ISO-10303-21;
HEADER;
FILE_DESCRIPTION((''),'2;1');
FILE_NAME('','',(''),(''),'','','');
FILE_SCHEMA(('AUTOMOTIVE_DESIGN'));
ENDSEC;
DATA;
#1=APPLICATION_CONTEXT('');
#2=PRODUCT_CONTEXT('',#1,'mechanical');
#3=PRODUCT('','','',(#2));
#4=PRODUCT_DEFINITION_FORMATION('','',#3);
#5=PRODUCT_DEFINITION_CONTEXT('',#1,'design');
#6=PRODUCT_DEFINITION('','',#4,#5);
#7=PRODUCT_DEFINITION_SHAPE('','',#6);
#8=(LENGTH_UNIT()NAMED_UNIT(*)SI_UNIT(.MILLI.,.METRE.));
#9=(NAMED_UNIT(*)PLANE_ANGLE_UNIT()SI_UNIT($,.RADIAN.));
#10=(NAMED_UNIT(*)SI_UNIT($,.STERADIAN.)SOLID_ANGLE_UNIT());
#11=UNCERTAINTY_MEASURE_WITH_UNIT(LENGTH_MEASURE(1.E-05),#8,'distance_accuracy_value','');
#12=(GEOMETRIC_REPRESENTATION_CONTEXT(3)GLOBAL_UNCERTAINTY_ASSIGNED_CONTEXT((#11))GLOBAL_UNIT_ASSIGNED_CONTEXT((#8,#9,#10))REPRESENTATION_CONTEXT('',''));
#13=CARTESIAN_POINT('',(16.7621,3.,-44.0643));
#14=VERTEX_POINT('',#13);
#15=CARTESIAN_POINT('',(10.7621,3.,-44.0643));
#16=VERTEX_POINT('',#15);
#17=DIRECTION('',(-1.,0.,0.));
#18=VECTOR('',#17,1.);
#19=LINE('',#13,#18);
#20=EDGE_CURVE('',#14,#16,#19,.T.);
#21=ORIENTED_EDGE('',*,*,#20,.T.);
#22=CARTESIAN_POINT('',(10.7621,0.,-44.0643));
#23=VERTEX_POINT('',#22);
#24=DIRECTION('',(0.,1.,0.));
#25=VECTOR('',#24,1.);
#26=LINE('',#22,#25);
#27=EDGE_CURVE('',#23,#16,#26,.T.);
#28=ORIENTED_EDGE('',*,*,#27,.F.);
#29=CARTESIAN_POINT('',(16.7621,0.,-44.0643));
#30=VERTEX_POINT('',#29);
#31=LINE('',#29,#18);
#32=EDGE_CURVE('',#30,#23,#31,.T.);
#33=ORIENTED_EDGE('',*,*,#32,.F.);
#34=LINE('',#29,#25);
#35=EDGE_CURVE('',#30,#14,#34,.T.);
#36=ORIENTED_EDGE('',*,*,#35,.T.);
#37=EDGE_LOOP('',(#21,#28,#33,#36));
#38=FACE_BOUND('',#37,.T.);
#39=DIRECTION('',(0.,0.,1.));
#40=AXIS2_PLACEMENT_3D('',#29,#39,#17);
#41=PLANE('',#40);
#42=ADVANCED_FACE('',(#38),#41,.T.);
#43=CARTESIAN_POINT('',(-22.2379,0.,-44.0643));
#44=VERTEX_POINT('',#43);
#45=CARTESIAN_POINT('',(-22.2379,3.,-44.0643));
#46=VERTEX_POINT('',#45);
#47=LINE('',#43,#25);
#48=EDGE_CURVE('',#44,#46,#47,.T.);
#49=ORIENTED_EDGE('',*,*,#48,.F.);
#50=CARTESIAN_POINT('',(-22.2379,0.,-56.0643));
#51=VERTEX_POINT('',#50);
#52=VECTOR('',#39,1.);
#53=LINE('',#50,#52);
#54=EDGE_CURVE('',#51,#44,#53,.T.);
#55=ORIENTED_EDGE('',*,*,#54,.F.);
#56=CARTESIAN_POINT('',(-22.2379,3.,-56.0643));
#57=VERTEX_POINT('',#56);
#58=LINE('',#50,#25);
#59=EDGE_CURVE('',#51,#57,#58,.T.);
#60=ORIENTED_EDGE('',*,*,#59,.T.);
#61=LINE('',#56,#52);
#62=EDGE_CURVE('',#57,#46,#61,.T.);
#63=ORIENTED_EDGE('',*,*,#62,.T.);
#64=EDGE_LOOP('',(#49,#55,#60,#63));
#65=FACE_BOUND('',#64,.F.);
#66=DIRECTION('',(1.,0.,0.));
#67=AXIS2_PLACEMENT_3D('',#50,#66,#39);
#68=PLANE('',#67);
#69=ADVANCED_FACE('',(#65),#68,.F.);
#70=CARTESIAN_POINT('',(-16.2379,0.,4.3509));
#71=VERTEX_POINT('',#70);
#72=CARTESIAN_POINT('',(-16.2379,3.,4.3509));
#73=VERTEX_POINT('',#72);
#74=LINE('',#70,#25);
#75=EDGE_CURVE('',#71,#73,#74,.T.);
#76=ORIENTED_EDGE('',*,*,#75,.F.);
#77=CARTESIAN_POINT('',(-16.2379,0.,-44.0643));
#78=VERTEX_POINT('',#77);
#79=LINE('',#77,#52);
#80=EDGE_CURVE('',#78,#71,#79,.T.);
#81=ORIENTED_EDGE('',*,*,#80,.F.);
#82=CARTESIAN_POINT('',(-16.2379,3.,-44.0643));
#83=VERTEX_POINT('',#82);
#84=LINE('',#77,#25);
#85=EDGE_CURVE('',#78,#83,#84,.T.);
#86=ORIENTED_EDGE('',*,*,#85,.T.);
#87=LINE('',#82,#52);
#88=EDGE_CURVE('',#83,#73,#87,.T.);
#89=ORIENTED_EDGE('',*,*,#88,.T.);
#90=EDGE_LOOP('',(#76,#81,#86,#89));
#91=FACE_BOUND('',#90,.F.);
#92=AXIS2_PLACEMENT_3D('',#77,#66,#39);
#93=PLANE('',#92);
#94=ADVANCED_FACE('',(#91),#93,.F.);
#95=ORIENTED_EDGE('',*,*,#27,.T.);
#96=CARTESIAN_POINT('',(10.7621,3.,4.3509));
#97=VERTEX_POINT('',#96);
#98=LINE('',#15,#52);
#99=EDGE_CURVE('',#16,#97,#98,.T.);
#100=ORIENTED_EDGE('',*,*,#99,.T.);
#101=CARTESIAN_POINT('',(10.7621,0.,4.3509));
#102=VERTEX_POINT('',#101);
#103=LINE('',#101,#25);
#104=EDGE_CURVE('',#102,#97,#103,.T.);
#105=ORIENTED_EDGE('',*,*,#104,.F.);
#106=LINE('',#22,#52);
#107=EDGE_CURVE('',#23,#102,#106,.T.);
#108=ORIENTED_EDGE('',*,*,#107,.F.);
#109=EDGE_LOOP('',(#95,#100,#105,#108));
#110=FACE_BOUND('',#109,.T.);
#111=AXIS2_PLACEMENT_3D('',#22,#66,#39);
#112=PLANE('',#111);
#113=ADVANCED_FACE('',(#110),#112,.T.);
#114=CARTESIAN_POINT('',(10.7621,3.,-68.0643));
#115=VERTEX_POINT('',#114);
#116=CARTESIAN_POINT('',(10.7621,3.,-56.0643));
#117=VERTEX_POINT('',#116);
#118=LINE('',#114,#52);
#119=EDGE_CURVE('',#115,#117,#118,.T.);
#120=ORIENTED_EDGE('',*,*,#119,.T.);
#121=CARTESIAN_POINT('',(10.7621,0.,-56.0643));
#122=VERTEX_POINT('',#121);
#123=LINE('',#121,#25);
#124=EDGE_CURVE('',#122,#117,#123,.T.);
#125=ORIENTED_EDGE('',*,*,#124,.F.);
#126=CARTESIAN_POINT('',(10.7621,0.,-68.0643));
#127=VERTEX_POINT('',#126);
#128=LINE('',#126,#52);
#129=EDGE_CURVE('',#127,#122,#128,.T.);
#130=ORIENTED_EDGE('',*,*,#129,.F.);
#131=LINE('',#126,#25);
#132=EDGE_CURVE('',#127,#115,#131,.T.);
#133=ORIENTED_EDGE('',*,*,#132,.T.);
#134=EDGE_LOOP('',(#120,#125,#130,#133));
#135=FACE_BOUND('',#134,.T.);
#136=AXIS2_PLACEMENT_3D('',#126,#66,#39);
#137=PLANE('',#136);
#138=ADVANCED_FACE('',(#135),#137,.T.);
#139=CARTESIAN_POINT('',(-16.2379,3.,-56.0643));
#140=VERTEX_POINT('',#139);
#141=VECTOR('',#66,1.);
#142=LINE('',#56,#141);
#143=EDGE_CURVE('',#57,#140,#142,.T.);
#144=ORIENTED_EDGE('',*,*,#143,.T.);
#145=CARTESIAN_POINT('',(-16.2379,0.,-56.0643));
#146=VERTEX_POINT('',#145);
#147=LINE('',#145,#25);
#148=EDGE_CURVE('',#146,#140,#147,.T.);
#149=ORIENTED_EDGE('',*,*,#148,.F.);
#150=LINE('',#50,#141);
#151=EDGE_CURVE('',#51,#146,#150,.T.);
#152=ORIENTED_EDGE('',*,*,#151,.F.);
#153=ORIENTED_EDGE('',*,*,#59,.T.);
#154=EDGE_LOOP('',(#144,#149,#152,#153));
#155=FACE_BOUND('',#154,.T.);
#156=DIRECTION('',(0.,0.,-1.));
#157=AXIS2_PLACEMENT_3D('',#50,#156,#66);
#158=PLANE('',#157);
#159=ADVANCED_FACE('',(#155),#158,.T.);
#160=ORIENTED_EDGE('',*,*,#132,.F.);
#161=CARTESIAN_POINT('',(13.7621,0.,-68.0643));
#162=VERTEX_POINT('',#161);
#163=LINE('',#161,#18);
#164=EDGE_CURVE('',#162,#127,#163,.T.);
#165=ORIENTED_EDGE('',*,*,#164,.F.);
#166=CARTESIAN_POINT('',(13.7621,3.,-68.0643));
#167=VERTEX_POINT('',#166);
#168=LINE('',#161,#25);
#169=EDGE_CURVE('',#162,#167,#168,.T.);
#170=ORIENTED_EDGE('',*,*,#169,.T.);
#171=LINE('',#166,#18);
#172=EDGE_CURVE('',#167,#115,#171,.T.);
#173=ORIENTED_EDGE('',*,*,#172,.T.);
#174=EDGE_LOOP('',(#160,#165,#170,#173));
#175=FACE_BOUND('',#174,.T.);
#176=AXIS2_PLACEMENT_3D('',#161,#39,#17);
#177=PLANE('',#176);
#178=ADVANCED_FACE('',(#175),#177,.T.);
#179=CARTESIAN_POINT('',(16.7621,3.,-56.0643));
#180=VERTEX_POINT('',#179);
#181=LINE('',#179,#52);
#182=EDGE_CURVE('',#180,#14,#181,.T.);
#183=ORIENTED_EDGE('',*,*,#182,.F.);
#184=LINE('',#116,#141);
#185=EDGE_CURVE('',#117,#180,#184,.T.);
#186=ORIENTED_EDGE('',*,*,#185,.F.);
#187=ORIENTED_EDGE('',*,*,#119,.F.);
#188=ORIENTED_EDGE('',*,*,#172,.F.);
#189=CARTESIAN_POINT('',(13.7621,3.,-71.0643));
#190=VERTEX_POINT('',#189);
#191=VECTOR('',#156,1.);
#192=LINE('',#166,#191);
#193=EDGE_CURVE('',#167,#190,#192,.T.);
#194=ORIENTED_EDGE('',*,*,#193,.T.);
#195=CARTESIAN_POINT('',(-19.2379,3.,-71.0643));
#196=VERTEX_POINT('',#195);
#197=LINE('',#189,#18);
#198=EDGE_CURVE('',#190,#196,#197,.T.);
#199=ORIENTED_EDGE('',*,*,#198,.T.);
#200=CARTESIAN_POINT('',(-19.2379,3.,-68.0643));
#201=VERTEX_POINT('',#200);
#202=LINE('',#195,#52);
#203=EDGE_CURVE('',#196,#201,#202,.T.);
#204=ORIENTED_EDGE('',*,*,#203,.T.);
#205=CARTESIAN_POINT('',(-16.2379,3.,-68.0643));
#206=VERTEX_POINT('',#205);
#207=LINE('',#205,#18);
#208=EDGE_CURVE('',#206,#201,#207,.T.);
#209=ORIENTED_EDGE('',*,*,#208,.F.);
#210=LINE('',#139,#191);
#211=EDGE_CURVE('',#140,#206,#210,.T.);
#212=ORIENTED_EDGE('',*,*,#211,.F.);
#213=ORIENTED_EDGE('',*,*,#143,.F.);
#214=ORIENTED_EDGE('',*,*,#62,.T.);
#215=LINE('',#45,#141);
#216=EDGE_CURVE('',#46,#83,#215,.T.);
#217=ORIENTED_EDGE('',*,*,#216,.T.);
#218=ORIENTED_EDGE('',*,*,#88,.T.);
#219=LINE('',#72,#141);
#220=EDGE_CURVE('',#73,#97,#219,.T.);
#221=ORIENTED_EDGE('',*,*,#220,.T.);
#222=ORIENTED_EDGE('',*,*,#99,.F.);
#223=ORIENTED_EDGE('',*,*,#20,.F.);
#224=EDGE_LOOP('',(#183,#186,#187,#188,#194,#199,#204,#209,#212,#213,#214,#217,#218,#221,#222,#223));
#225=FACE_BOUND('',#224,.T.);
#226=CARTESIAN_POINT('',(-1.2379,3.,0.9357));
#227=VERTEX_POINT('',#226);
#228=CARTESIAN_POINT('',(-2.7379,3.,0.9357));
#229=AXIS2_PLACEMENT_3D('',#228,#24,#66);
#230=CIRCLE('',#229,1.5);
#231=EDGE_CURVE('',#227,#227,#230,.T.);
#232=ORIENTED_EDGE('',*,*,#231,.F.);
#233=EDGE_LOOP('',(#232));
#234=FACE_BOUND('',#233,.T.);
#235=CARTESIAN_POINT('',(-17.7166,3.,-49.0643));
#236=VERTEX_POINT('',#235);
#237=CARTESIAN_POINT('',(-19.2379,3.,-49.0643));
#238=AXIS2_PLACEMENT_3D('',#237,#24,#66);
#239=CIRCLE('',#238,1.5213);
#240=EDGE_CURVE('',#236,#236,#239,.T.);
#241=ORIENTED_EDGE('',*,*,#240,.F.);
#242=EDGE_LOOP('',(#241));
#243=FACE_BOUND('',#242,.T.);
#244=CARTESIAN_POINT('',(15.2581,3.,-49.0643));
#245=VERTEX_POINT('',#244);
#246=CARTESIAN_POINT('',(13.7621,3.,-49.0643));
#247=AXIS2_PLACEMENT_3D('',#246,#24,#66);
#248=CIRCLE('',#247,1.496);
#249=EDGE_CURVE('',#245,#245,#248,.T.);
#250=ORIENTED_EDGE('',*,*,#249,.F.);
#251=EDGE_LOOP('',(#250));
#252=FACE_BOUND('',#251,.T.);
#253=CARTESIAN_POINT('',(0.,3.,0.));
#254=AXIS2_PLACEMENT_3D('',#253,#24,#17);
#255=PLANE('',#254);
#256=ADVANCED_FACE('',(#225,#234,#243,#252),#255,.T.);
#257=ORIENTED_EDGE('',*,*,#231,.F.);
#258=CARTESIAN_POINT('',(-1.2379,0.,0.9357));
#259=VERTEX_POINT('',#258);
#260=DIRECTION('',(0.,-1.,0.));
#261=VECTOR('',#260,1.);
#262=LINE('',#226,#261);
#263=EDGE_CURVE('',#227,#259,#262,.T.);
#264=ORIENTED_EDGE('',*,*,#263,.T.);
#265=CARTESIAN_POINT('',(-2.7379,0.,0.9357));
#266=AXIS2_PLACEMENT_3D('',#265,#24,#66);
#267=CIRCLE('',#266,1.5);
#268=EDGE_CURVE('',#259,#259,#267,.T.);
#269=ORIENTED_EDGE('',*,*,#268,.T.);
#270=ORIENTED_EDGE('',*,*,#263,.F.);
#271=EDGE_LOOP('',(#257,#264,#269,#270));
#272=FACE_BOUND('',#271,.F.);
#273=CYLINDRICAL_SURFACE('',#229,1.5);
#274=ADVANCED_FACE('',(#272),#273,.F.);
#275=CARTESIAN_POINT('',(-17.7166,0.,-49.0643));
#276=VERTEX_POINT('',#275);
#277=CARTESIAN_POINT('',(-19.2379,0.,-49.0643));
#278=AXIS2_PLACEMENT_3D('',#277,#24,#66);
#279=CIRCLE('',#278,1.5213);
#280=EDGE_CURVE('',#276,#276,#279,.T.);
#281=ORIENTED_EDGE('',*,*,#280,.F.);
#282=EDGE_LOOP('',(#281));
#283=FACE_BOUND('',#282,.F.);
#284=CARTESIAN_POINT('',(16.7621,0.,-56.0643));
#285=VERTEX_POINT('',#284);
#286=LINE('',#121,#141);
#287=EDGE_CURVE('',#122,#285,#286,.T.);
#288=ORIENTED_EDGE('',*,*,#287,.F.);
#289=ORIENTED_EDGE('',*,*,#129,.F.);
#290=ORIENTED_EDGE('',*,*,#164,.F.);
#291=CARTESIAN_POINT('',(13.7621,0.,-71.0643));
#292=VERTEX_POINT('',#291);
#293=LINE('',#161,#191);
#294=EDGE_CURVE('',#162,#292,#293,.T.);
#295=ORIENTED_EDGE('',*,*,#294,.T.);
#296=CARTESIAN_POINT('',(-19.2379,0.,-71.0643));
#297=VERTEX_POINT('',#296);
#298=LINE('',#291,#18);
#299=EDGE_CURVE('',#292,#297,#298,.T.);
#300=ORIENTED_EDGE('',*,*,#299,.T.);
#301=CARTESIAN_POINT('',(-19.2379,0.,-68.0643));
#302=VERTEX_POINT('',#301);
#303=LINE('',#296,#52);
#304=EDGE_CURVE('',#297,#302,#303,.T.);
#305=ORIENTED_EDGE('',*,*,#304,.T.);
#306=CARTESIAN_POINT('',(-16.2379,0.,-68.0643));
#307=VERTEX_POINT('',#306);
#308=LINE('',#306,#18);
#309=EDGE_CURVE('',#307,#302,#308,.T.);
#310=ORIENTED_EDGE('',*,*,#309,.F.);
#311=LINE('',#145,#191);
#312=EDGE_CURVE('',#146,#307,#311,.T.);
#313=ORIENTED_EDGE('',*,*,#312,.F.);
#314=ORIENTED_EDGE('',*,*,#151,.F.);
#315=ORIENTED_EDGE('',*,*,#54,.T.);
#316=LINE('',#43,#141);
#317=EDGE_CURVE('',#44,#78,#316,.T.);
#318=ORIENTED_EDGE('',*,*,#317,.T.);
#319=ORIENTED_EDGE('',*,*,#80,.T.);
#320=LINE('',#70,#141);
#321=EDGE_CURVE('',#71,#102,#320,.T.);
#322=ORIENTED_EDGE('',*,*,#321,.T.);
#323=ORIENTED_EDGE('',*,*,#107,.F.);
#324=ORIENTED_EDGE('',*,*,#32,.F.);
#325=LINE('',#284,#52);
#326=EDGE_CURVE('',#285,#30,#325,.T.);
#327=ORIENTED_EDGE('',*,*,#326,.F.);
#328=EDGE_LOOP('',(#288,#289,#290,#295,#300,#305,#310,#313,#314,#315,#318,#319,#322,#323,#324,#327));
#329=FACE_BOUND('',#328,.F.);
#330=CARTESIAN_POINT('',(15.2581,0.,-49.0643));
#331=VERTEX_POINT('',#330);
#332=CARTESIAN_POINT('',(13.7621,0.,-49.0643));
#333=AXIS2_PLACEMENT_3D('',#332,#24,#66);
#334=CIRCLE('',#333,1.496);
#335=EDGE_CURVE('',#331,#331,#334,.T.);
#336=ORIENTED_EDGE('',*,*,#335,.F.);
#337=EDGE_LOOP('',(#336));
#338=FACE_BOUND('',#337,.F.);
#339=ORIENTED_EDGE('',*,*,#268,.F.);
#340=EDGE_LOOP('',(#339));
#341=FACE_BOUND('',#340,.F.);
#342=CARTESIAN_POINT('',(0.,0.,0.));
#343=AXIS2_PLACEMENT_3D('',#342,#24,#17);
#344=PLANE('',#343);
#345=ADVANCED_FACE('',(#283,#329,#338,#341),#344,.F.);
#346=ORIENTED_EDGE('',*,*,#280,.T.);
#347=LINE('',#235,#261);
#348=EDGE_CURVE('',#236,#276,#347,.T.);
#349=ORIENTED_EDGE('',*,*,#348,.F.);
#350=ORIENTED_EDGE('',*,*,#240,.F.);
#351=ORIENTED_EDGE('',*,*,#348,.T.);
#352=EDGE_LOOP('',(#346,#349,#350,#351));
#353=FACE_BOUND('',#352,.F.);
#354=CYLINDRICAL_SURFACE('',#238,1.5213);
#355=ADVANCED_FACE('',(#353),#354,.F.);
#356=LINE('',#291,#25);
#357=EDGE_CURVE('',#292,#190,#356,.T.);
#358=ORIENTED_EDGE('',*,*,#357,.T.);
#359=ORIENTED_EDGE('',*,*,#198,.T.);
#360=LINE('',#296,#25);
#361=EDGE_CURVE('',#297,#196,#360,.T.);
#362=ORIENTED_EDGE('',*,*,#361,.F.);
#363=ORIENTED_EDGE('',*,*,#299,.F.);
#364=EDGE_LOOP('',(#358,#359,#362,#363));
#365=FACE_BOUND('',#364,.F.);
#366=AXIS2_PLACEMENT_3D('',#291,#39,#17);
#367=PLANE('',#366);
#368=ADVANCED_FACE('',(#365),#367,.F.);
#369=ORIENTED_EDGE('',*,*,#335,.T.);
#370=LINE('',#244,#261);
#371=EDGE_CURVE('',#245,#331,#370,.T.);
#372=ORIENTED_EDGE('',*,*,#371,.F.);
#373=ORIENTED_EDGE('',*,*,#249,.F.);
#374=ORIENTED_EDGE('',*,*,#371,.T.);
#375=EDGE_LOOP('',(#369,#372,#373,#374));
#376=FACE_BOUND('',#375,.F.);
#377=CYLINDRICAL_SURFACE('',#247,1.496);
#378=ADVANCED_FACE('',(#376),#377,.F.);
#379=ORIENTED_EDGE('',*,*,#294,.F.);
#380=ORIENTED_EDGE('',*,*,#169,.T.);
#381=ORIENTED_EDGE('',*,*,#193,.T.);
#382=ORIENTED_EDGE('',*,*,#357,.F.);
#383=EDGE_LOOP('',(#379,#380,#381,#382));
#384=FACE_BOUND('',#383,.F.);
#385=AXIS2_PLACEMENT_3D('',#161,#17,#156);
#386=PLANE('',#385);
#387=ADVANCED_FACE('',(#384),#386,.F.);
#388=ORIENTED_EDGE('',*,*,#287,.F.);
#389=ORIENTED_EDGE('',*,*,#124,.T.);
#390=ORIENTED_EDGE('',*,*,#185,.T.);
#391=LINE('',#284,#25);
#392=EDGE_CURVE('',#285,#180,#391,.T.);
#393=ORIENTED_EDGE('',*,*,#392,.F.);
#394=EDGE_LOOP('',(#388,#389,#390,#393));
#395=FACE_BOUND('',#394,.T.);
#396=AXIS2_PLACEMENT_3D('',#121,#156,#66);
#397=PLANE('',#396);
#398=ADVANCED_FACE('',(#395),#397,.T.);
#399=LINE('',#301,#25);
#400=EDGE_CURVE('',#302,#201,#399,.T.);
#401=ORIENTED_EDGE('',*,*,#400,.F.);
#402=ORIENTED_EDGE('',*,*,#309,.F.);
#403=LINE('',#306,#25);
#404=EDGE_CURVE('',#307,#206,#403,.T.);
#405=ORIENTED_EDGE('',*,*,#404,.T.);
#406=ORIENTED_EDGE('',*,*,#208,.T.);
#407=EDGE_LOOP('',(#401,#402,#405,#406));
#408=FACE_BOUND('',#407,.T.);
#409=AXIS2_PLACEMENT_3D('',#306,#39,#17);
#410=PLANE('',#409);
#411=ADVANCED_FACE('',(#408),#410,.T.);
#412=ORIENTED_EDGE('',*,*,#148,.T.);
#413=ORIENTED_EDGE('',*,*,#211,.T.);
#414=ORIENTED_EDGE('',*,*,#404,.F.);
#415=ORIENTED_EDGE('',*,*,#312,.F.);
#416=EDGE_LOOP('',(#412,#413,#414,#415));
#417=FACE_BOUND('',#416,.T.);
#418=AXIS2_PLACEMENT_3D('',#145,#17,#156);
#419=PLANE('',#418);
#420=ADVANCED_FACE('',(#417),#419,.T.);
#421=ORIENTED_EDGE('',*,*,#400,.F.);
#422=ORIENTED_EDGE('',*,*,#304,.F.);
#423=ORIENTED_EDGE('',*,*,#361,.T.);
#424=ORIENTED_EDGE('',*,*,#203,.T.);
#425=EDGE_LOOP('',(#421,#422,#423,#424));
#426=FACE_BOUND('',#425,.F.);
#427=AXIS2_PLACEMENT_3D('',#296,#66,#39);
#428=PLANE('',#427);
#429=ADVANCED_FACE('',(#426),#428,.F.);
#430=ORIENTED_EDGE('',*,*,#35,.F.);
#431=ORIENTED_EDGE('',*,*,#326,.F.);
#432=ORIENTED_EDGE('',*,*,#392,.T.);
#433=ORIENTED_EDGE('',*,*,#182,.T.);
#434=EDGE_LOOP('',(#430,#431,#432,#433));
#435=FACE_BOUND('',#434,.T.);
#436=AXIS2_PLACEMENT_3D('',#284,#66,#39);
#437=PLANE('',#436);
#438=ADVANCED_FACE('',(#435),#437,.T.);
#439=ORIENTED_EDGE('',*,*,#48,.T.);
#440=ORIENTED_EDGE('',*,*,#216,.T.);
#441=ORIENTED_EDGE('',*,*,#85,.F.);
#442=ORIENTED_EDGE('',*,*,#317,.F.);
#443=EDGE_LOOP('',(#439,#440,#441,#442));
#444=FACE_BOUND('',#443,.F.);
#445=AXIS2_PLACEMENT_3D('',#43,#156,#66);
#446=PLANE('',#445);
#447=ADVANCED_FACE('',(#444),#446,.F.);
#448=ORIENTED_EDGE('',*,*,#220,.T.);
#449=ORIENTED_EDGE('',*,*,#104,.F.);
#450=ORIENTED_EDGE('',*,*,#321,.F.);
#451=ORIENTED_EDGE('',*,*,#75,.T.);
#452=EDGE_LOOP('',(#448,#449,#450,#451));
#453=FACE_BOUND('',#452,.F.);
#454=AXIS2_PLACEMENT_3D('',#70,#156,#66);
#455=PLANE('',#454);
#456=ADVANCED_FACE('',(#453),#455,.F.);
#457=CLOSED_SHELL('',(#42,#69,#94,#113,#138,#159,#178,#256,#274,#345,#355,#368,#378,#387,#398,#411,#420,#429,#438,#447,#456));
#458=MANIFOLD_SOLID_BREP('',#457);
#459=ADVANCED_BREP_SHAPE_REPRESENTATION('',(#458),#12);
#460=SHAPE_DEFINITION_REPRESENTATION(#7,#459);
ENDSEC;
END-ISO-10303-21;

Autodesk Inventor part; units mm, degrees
ref_plane "YZ Plane" through (0, 0, 0) normal (1, 0, 0) x (0, 1, 0)
ref_plane "XZ Plane" through (0, 0, 0) normal (0, 1, 0) x (-1, 0, 0)
ref_plane "XY Plane" through (0, 0, 0) normal (0, 0, 1) x (1, 0, 0)
sketch "Sketch1" plane through (0, 0, 0) normal (0, 1, 0) x (-1, 0, 0)
  line L0 (16.2379, 4.3509) -> (-10.7621, 4.3509)
  line L1 (-13.7621, -68.0643) -> (-13.7621, -71.0643)
  line L2 (-13.7621, -71.0643) -> (19.2379, -71.0643)
  line L3 (19.2379, -71.0643) -> (19.2379, -68.0643)
  line L4 (22.2379, -56.0643) -> (16.2379, -56.0643)
  line L5 (16.2379, -56.0643) -> (16.2379, -68.0643)
  line L6 (16.2379, -68.0643) -> (19.2379, -68.0643)
  line L7 (-13.7621, -68.0643) -> (-10.7621, -68.0643)
  line L8 (-10.7621, -68.0643) -> (-10.7621, -56.0643)
  line L9 (-10.7621, -56.0643) -> (-16.7621, -56.0643)
  line L10 (22.2379, -56.0643) -> (22.2379, -44.0643)
  line L11 (22.2379, -44.0643) -> (16.2379, -44.0643)
  line L12 (16.2379, -44.0643) -> (16.2379, 4.3509)
  line L13 (-16.7621, -56.0643) -> (-16.7621, -44.0643)
  line L14 (-16.7621, -44.0643) -> (-10.7621, -44.0643)
  line L15 (-10.7621, -44.0643) -> (-10.7621, 4.3509)
  dimension "d8" = 3
  dimension "d9" = 3
  dimension "d11" = 33
  dimension "d12" = 12
  dimension "d13" = 60.4152
  dimension "d14" = 12
  dimension "d24" = 6
  dimension "d25" = 6
extrude "Extrusion1" add sketch "Sketch1" along normal blind 3
sketch "Sketch5" plane through (0, 3, 0) normal (0, 1, 0) x (1, 0, 0)
  circle A0 centre (13.7621, 49.0643) radius 1.496
  circle A1 centre (-19.2379, 49.0643) radius 1.5213
  circle A2 centre (-2.7379, -0.9357) radius 1.5
  line L0 (10.7621, 44.0643) -> (16.7621, 44.0643) projected
  line L1 (16.7621, 44.0643) -> (16.7621, 56.0643) projected
  line L2 (-22.2379, 44.0643) -> (-16.2379, 44.0643) projected
  line L3 (-22.2379, 56.0643) -> (-22.2379, 44.0643) projected
  line L4 (10.7621, -4.3509) -> (10.7621, 44.0643) projected
  line L5 (-16.2379, -4.3509) -> (10.7621, -4.3509) projected
  line L6 (13.7621, 71.0643) -> (-19.2379, 71.0643) projected
  point P0 (0, 0)
  dimension "d36" = 5
  dimension "d37" = 3
  dimension "d38" = 5
  dimension "d39" = 3
  dimension "d41" = 13.5
  dimension "d42" = 3
  dimension "d46" = 72
extrude "Extrusion2" cut sketch "Sketch5" against normal through all
properties part number "k2_t_l4"
